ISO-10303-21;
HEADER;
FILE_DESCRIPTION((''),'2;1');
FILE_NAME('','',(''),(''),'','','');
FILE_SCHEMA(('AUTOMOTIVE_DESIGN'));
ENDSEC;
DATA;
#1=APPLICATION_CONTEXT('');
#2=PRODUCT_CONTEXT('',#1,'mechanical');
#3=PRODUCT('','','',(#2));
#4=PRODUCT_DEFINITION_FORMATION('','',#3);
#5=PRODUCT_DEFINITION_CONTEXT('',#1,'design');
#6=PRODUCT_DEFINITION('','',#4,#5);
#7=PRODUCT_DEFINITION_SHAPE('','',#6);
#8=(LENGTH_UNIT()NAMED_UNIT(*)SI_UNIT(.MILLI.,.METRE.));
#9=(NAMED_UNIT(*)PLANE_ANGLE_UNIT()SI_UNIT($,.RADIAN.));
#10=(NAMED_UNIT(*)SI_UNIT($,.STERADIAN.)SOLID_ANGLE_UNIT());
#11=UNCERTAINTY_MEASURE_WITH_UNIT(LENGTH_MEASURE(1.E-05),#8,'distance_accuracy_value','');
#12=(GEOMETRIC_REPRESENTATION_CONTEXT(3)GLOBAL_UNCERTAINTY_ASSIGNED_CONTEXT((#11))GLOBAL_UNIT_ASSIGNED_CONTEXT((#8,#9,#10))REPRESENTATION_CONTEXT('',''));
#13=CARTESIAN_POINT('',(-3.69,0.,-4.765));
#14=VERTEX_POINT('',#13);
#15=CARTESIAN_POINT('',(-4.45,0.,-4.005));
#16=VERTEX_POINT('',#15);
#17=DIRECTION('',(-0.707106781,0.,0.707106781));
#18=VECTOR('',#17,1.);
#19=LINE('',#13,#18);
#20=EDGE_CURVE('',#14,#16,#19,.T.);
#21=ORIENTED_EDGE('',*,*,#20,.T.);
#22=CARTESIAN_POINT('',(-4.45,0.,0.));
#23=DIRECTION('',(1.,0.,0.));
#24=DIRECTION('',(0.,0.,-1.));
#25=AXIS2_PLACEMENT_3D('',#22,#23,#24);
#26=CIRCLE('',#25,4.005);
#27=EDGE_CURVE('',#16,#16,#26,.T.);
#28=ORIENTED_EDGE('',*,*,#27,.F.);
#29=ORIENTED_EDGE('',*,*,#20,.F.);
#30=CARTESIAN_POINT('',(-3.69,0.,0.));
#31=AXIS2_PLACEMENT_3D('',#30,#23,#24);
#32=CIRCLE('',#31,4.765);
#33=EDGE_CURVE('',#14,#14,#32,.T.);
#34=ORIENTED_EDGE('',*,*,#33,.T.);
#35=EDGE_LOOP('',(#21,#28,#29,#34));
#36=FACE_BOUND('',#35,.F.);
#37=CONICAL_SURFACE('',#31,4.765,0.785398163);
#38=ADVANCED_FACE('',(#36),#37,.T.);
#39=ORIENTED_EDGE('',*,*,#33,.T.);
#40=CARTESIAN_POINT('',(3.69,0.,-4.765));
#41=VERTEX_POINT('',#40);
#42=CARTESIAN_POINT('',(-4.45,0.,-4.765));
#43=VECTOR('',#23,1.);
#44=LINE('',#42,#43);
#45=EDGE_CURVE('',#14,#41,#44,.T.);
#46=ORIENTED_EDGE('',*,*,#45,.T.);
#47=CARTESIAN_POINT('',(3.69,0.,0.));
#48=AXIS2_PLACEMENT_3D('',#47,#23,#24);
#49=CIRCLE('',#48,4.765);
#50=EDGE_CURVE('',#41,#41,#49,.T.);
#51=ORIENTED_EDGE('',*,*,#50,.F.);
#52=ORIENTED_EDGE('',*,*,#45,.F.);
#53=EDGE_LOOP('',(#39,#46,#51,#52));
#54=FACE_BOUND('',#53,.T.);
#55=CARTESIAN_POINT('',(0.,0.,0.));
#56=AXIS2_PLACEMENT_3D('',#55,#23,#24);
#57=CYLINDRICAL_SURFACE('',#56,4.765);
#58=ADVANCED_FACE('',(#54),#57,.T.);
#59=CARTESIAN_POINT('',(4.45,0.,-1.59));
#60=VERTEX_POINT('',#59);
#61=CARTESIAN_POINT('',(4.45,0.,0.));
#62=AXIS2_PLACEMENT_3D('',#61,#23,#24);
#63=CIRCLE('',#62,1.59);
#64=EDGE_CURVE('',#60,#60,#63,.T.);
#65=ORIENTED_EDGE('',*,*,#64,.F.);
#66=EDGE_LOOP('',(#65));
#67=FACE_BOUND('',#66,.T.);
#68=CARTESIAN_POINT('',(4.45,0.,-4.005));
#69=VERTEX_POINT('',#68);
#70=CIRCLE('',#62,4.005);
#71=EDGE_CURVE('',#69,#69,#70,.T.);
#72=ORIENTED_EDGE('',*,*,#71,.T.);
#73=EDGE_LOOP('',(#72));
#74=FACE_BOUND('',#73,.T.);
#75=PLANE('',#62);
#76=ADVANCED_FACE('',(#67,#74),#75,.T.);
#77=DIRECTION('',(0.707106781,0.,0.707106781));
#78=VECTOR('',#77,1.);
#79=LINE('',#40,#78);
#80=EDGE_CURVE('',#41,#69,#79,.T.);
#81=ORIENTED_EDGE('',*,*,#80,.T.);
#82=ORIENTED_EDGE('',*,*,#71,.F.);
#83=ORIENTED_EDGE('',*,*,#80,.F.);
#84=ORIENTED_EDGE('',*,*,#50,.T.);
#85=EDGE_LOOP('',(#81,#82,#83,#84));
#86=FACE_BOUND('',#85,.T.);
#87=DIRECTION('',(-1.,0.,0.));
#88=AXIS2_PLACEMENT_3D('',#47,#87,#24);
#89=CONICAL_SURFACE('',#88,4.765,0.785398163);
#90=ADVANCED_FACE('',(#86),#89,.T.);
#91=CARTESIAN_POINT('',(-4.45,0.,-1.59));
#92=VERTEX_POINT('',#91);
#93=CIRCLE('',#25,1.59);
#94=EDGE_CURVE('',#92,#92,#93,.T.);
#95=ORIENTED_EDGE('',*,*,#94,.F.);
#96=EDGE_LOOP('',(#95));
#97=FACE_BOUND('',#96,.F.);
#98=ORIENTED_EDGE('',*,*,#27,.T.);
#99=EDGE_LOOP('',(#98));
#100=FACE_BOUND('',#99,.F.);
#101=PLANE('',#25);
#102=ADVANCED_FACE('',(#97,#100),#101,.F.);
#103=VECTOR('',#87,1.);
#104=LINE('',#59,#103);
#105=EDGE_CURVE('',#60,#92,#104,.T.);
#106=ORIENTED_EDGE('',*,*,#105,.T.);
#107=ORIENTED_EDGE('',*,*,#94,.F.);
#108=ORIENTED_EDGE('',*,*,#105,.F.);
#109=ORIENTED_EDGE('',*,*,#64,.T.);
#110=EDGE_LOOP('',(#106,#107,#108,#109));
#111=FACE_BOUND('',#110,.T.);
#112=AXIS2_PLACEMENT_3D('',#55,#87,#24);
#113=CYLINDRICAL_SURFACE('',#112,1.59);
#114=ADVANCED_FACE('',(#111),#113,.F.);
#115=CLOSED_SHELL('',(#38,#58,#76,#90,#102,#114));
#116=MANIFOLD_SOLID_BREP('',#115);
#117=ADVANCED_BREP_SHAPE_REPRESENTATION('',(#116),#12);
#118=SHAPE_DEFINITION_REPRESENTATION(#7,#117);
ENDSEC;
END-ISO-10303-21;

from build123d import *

# Parameters (mm, degrees)
SKETCH1_R           = 4.765
SKETCH1_R_2         = 1.59
BOSS_EXTRUDE1_DEPTH = 4.45
CHAMFER1_SIZE       = 0.76


with BuildPart() as part:
    # Sketch1 → Boss-Extrude1 (new body, symmetric)
    with BuildSketch(Plane(origin=(0, 0, 0), x_dir=(0, 0, -1), z_dir=(1, 0, 0))):
        Circle(SKETCH1_R)
        Circle(SKETCH1_R_2, mode=Mode.SUBTRACT)
    extrude(amount=BOSS_EXTRUDE1_DEPTH, both=True)

    # Chamfer1
    chamfer1_edges = [part.edges().sort_by_distance(p)[0] for p in [
        (-4.45, 0, 4.765),
        (4.45, 0, 4.765),
    ]]
    chamfer(chamfer1_edges, length=CHAMFER1_SIZE)


solid = part.part
